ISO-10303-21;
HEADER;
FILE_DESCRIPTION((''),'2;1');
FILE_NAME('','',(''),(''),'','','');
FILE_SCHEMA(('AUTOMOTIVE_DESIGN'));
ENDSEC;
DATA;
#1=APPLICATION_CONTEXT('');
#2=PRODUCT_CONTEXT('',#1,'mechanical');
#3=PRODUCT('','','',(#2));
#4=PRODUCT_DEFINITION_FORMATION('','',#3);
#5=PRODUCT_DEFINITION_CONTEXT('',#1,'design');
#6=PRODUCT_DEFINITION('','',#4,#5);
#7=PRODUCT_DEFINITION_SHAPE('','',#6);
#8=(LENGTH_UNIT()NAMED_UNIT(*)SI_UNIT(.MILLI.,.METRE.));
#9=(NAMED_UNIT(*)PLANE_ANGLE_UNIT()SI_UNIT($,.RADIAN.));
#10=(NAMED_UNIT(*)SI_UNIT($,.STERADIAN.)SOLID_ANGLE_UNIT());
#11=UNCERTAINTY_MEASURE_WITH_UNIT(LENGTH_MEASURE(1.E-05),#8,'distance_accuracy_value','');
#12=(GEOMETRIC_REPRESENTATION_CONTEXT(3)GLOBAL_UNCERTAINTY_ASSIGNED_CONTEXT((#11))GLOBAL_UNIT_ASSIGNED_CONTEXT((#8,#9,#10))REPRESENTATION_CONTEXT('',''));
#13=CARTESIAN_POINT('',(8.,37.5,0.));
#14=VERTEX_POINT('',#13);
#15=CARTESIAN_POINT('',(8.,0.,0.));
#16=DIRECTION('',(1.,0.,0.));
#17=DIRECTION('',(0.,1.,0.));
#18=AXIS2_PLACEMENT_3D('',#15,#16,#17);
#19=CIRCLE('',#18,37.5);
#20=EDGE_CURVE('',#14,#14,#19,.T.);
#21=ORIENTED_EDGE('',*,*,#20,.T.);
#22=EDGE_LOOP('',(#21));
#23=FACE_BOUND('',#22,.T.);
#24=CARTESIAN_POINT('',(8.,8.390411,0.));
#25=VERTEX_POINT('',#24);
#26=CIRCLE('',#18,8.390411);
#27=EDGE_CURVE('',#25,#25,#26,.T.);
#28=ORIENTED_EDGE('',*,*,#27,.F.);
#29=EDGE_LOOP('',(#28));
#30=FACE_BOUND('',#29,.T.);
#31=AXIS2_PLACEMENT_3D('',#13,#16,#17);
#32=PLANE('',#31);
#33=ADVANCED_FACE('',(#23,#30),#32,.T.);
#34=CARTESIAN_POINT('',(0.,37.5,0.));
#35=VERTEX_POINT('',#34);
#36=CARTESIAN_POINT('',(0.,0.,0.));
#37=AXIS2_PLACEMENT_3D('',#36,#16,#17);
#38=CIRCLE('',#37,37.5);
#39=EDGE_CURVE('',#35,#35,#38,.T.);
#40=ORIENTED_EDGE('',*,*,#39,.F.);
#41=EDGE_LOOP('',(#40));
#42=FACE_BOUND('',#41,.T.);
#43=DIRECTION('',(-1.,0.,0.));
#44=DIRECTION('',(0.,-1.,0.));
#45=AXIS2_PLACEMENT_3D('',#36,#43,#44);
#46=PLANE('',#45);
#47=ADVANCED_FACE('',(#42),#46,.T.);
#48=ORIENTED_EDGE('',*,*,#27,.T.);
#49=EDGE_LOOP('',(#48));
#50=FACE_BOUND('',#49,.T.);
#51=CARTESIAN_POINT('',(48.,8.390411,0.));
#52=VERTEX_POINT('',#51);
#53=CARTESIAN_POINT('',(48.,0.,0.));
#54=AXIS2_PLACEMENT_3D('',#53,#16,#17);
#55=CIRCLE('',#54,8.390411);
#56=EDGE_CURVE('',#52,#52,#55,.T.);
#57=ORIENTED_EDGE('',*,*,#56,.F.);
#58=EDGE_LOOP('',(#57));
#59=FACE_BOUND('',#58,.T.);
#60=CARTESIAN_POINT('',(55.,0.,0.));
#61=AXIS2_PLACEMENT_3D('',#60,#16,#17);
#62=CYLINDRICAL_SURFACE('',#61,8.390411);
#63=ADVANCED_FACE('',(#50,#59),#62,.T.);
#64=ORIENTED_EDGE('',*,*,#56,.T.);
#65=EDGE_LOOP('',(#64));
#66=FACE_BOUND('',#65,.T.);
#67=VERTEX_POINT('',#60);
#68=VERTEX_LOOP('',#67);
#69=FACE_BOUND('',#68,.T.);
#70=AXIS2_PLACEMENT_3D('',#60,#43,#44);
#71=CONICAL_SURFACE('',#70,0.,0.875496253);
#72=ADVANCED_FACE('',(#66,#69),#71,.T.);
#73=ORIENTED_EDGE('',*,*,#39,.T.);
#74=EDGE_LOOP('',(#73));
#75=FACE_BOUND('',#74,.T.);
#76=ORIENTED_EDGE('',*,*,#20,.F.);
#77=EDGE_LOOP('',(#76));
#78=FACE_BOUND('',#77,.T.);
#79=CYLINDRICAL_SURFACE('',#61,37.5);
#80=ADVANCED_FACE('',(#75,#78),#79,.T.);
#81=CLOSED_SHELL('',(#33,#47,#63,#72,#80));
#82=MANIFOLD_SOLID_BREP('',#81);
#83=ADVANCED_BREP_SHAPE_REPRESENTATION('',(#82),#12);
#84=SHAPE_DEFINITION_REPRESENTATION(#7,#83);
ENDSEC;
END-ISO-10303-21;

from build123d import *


with BuildPart() as part:
    # 草图1 → 旋转1 (revolve)
    with BuildSketch(Plane.XY):
        Polygon((0, 0), (0, 37.5), (8, 37.5), (8, 8.390410959), (48, 8.390410959), (55, 0), align=None)
    revolve(axis=Axis((55, 0, 0), (-1, 0, 0)))


solid = part.part
